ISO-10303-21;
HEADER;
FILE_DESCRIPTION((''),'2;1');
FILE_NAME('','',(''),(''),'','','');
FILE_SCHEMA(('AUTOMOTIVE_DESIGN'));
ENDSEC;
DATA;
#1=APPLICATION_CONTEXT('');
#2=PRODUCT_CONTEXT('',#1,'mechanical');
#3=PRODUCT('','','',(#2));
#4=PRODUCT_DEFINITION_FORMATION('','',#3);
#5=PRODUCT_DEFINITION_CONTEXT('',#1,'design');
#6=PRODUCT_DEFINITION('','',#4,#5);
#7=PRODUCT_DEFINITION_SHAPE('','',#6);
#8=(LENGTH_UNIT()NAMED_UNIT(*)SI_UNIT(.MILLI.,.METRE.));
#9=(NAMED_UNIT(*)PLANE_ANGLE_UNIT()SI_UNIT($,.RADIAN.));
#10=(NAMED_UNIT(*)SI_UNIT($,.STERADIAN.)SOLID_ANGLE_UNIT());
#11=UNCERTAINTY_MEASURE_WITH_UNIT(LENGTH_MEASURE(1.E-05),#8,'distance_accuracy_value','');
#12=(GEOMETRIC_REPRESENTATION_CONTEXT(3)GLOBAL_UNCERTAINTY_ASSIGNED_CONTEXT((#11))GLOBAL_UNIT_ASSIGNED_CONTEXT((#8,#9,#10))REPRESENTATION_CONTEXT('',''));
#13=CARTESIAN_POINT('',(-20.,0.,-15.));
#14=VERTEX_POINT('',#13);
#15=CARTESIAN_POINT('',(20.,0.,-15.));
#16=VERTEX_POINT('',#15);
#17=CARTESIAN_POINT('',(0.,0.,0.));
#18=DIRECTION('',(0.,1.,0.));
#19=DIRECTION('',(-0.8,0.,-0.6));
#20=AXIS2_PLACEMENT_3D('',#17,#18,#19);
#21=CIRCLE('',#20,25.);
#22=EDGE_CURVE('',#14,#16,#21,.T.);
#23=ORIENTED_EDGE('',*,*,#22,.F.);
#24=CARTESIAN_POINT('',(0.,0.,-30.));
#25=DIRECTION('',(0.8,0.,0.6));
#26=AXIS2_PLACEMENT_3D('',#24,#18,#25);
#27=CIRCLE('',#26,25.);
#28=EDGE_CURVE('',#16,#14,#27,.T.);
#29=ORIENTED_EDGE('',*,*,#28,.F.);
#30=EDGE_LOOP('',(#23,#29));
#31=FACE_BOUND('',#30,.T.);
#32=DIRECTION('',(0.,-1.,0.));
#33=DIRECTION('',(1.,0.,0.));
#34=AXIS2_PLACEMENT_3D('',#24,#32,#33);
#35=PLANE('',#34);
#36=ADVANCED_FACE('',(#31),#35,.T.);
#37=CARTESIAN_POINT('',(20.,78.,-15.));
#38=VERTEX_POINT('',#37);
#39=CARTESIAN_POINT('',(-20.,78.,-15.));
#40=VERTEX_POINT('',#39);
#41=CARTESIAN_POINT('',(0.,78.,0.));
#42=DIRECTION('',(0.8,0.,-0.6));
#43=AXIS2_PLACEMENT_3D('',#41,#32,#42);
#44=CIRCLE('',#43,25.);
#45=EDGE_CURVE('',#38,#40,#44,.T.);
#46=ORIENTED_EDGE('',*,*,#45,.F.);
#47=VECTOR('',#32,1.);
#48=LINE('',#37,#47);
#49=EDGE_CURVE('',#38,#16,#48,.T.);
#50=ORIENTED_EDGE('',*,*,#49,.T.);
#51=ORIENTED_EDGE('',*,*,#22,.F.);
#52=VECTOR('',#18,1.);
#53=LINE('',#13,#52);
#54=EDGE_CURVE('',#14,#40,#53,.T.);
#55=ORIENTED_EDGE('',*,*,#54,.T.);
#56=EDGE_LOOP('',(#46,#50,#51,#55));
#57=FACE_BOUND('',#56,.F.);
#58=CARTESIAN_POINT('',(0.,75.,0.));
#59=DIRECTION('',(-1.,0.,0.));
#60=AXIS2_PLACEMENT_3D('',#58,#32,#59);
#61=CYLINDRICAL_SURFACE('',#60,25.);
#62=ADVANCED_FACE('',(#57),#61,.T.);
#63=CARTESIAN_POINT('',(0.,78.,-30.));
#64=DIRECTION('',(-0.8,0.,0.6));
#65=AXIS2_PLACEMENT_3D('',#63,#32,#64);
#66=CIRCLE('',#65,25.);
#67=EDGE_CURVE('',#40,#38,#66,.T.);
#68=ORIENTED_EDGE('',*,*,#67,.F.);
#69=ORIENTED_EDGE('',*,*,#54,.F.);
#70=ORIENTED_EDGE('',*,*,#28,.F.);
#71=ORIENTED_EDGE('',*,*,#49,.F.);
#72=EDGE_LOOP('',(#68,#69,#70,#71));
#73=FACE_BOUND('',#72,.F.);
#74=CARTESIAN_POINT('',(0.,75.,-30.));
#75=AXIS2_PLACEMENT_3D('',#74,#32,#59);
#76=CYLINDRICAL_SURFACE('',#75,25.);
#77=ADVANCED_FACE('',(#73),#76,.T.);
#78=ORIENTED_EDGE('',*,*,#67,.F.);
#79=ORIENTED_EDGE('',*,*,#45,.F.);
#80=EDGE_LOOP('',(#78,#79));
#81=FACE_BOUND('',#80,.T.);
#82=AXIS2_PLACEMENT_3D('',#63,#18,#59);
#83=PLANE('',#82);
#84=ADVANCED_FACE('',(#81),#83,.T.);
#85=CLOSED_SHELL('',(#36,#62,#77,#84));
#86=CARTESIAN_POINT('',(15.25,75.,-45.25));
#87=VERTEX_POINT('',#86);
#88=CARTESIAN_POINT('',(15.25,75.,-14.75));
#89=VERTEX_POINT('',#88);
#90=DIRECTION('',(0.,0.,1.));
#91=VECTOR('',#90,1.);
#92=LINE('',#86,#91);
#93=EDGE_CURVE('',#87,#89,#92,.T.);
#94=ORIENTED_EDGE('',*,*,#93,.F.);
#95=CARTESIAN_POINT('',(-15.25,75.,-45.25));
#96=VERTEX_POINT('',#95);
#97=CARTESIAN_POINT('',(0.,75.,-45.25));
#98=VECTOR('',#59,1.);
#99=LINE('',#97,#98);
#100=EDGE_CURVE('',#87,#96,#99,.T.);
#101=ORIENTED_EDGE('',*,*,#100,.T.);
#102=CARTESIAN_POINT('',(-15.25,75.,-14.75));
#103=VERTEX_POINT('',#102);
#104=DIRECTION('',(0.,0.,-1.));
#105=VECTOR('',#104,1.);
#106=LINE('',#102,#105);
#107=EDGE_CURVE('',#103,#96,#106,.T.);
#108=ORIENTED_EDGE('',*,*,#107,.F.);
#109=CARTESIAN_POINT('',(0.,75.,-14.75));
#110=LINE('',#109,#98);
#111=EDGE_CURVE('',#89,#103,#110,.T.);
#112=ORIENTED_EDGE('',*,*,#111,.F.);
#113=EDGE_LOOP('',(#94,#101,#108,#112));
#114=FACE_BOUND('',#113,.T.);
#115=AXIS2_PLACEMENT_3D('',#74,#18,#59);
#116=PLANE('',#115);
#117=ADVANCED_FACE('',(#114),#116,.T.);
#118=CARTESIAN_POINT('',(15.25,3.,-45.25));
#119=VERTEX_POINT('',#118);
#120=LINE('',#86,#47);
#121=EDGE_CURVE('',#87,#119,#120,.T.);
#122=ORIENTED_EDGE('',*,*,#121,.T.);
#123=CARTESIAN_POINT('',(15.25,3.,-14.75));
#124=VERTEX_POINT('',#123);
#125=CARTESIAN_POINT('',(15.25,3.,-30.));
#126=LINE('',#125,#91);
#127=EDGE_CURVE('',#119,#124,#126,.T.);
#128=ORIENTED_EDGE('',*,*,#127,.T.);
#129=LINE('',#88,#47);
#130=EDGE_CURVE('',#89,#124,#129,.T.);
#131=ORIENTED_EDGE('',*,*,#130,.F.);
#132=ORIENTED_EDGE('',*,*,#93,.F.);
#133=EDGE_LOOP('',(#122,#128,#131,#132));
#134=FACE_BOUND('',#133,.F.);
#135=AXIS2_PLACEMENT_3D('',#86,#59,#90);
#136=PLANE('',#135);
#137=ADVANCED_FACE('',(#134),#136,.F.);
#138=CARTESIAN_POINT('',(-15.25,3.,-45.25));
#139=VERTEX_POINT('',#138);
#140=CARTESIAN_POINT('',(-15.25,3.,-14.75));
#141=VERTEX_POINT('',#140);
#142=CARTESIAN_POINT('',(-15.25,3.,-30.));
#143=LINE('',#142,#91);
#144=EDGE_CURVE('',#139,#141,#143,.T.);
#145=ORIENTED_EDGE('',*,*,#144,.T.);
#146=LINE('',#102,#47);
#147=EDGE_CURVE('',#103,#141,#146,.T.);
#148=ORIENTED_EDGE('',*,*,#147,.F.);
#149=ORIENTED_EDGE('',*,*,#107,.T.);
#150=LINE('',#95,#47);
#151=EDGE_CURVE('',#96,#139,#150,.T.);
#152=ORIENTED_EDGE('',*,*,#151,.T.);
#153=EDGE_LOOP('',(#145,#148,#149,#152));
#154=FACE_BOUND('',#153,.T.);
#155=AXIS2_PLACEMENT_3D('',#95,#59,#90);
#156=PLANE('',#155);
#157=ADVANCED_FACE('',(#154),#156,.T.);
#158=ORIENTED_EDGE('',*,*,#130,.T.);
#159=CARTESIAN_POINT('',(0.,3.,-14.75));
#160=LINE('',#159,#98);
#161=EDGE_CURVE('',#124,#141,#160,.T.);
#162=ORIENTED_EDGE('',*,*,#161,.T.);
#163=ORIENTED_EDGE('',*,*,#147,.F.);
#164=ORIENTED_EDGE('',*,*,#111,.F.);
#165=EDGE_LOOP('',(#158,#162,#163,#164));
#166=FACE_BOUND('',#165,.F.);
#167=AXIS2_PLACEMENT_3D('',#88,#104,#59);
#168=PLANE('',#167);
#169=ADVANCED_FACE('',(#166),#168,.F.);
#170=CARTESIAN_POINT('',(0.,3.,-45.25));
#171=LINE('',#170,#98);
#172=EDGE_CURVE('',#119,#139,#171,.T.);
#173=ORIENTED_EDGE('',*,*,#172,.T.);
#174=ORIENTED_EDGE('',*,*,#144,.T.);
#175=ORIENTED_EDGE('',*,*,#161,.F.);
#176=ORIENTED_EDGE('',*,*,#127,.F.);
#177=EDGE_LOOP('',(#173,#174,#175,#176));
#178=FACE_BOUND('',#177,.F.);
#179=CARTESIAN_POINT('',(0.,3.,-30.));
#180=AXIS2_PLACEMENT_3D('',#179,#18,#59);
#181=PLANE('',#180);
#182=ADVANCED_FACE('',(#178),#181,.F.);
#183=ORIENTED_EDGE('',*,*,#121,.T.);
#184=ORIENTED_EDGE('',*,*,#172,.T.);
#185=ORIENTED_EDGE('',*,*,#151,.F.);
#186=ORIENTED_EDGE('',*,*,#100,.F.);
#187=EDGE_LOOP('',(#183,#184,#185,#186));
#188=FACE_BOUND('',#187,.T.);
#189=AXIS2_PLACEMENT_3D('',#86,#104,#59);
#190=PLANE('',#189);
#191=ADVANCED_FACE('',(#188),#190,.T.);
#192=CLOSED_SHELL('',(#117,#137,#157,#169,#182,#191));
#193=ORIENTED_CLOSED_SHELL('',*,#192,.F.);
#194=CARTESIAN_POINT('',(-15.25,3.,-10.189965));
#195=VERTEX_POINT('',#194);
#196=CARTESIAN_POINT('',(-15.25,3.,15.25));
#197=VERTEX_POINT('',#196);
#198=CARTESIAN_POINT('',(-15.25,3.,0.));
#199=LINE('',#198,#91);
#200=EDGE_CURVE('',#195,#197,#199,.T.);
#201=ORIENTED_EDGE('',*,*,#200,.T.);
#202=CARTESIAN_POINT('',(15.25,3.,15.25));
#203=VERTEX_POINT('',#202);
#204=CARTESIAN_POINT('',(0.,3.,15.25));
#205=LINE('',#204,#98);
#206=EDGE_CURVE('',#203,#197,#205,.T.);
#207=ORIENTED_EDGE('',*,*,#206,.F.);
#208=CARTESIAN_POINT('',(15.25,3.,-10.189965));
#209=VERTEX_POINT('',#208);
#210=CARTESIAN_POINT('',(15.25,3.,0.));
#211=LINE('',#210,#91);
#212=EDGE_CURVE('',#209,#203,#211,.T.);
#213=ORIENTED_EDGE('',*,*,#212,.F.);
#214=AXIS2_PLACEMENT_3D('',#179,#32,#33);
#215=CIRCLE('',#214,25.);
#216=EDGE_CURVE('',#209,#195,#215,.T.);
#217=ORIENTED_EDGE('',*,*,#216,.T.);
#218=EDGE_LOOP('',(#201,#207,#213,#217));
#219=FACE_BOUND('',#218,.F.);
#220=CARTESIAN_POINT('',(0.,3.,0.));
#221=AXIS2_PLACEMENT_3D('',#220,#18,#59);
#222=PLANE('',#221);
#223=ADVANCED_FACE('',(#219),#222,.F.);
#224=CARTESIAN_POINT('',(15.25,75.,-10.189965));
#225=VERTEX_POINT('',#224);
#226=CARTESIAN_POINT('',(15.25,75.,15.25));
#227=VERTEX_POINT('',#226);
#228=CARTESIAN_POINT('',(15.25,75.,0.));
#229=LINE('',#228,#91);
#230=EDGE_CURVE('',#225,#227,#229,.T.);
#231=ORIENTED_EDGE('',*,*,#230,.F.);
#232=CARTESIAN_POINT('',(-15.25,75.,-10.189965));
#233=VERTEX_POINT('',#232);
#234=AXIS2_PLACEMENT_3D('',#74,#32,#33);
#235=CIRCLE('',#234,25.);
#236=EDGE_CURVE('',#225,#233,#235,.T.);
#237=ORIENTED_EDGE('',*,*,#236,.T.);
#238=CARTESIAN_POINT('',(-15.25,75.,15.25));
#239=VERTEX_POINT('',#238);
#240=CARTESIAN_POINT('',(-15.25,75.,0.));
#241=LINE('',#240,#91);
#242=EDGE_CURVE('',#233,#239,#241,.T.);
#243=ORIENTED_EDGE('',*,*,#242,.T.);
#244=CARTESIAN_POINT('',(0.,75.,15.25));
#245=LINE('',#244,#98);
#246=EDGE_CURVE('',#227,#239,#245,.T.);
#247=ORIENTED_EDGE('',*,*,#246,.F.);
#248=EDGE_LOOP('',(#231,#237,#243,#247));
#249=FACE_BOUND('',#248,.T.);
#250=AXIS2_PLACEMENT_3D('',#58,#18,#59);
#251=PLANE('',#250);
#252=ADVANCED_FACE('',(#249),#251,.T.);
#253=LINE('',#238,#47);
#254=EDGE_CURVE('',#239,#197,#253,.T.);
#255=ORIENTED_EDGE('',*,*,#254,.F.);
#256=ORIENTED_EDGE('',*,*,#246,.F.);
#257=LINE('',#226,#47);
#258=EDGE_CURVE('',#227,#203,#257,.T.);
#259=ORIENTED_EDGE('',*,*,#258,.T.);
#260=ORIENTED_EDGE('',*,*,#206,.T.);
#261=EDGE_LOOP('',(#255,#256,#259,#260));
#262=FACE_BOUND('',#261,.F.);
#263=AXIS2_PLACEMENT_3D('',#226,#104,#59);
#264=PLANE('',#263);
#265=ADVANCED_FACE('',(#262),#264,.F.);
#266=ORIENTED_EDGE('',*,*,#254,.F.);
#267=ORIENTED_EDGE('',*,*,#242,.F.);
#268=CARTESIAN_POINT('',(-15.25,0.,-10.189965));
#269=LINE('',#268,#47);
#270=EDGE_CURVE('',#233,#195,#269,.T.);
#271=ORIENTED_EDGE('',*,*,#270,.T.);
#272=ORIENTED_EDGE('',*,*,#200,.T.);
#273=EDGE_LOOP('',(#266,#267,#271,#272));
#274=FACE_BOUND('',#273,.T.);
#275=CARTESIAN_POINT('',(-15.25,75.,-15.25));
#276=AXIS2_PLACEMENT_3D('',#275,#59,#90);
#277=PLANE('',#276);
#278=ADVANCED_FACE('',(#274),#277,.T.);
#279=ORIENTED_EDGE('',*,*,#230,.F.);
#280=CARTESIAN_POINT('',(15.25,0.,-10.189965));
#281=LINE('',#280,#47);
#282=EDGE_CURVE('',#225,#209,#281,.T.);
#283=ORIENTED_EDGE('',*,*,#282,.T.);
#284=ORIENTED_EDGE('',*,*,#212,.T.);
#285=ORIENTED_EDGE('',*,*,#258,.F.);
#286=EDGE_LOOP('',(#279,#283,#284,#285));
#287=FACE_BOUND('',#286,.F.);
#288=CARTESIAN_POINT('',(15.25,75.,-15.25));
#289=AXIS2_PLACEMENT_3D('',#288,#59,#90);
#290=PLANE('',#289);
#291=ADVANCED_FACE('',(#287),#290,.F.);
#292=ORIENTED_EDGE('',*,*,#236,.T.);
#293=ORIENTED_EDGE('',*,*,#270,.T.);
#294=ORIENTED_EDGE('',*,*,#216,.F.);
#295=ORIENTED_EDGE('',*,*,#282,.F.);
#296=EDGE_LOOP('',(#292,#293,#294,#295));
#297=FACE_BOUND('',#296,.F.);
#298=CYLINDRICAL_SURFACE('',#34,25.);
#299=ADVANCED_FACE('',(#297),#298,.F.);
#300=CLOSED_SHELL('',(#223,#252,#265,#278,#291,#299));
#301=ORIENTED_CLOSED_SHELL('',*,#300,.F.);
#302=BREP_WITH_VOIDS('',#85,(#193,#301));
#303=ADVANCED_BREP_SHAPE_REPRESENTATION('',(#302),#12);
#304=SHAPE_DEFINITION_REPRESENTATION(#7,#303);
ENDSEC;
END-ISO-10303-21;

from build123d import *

# Parameters (mm, degrees)
F0_R      = 25
F1_DEPTH  = 75
F2_W      = 30.5
F2_H      = 30.5
F3_DEPTH  = 72
F4_R      = 25
F5_DEPTH  = 3
F6_R      = 25
F7_DEPTH  = 75
F8_W      = 30.5
F8_H      = 30.5
F9_DEPTH  = 72
F10_R     = 25
F11_DEPTH = 3


with BuildPart() as f1:
    # F0 (on Front) → F1 (new body)
    with BuildSketch(Plane.XZ):
        Circle(F0_R)
    extrude(amount=-F1_DEPTH)

    # F2 (on face) → F3 (cut, through all)
    with BuildSketch(Plane(origin=(0, 75, 0), x_dir=(-1, 0, 0), z_dir=(0, 1, 0))):
        Rectangle(F2_W, F2_H)
    extrude(amount=-F3_DEPTH, mode=Mode.SUBTRACT)

    # F4 (on face) → F5 (join)
    with BuildSketch(Plane(origin=(0, 75, 0), x_dir=(-1, 0, 0), z_dir=(0, 1, 0))):
        Circle(F4_R)
    extrude(amount=F5_DEPTH)

    # F6 (on Front) → F7 (join)
    with BuildSketch(Plane.XZ):
        with Locations((0, -30)):
            Circle(F6_R)
    extrude(amount=-F7_DEPTH)

    # F8 (on face) → F9 (cut, through all)
    with BuildSketch(Plane(origin=(0, 75, 0), x_dir=(-1, 0, 0), z_dir=(0, 1, 0))):
        with Locations((0, -30)):
            Rectangle(F8_W, F8_H)
    extrude(amount=-F9_DEPTH, mode=Mode.SUBTRACT)

    # F10 (on face) → F11 (join)
    with BuildSketch(Plane(origin=(0, 75, 0), x_dir=(-1, 0, 0), z_dir=(0, 1, 0))):
        with Locations((0, -30)):
            Circle(F10_R)
    extrude(amount=F11_DEPTH)


solid = f1.part
